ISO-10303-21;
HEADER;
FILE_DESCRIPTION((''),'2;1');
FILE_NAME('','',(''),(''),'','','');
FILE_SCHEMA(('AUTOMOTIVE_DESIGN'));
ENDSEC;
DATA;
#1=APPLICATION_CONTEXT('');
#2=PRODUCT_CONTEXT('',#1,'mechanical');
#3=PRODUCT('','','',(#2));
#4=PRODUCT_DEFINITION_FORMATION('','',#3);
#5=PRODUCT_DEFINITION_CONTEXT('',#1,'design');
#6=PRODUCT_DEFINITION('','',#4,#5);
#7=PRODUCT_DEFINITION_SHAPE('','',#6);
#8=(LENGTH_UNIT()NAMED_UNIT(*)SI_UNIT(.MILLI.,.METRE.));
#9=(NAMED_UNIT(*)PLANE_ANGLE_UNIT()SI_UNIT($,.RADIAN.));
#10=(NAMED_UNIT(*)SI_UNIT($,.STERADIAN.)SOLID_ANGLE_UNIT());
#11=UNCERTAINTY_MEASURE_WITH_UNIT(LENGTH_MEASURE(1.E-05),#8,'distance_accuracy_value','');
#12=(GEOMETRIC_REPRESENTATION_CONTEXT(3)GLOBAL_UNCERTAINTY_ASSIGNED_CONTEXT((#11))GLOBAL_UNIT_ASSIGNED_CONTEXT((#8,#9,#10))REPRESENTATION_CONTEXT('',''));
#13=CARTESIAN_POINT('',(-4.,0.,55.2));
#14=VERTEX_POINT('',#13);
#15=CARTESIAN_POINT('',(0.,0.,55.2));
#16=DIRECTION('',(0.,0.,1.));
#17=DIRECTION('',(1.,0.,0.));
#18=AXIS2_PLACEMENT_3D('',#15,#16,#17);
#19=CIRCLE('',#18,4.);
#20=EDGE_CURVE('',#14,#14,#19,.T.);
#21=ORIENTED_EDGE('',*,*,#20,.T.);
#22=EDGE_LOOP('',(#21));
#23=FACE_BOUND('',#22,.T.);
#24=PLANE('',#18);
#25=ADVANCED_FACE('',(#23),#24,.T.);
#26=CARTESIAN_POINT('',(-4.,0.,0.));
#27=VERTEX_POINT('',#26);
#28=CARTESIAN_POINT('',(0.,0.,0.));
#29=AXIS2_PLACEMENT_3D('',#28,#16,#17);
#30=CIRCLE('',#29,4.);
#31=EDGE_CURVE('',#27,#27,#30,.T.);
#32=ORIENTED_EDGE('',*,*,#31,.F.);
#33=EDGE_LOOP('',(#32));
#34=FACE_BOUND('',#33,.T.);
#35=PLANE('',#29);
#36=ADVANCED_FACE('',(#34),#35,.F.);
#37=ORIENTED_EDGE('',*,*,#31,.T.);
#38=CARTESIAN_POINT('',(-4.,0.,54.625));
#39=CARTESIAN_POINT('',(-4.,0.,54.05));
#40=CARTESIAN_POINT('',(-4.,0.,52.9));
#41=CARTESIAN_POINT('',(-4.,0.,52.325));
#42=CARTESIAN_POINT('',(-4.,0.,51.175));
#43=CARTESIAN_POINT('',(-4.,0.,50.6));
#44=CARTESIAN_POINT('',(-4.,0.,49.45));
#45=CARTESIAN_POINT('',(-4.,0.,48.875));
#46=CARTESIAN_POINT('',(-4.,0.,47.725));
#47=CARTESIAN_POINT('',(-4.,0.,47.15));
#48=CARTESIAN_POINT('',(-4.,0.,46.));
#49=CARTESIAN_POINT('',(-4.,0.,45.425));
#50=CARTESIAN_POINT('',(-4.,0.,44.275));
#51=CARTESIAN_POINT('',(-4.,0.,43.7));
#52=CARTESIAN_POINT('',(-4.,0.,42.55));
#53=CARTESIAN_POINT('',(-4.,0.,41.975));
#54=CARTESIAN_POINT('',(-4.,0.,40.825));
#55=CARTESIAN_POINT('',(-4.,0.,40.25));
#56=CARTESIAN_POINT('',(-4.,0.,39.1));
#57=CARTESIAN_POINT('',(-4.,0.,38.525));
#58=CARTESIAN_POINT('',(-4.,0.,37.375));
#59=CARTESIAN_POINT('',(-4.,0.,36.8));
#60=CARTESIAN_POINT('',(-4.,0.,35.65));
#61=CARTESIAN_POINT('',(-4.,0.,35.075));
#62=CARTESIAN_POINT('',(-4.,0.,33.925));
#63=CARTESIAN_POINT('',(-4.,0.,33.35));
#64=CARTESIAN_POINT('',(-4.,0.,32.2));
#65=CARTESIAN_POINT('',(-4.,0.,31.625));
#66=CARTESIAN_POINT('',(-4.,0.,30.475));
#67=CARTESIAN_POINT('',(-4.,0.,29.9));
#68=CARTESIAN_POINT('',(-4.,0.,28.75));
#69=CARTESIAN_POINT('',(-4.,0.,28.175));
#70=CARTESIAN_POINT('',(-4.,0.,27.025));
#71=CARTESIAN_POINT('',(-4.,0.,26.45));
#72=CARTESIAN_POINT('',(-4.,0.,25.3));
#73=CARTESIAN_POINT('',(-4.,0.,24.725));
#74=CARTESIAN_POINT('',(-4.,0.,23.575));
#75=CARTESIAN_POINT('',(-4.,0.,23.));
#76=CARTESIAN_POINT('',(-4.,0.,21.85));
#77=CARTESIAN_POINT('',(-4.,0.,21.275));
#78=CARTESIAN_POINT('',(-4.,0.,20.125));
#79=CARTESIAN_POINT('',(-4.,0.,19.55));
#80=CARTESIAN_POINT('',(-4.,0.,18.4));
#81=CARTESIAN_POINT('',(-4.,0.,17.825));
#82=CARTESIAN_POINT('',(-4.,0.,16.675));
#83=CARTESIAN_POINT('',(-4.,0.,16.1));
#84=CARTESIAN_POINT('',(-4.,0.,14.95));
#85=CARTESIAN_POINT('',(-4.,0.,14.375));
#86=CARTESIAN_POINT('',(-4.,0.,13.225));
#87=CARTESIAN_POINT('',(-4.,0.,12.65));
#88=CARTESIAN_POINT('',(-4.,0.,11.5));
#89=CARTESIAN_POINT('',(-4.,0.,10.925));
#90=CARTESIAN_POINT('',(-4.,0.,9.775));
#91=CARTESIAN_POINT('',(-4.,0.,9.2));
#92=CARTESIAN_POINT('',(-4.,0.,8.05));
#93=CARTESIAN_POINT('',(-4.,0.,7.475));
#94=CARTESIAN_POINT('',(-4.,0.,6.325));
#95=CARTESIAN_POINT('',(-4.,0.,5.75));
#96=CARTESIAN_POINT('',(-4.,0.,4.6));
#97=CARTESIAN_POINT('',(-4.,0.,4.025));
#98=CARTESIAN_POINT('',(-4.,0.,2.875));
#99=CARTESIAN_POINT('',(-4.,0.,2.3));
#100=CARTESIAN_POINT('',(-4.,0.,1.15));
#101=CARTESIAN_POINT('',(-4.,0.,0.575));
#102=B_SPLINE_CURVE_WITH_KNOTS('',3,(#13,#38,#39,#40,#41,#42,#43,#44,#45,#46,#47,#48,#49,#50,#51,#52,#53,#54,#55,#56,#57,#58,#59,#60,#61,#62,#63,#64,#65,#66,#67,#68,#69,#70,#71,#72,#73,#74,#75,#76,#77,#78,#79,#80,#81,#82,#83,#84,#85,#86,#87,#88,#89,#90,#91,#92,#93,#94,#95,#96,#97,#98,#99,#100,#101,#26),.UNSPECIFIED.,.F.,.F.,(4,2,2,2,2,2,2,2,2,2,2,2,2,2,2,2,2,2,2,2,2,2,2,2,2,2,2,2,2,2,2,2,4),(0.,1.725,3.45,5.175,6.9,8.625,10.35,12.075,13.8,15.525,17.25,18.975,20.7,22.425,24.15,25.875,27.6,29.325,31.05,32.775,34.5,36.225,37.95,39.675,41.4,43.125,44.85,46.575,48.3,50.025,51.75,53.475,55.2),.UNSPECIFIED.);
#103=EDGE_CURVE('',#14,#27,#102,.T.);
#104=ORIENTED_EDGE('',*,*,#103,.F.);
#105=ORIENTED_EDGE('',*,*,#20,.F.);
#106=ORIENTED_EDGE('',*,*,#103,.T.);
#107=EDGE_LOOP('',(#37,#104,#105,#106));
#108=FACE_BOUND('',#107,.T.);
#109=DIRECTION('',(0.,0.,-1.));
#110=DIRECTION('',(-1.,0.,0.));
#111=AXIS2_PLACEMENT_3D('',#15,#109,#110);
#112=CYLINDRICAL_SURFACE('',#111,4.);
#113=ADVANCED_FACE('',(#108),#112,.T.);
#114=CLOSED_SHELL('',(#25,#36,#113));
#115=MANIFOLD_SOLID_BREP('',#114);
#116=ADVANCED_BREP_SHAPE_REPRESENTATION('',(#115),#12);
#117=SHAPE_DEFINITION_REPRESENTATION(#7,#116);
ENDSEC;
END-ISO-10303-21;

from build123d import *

# Parameters (mm, degrees)
ESQUISSE1_R        = 4
BOSS_EXTRU_1_DEPTH = 55.2


with BuildPart() as part:
    # Esquisse1 → Boss.-Extru.1 (new body)
    with BuildSketch(Plane.XY):
        with Locations(Location((0, 0, 0), (0, 0, 180))):
            Circle(ESQUISSE1_R)
    extrude(amount=BOSS_EXTRU_1_DEPTH)


solid = part.part
